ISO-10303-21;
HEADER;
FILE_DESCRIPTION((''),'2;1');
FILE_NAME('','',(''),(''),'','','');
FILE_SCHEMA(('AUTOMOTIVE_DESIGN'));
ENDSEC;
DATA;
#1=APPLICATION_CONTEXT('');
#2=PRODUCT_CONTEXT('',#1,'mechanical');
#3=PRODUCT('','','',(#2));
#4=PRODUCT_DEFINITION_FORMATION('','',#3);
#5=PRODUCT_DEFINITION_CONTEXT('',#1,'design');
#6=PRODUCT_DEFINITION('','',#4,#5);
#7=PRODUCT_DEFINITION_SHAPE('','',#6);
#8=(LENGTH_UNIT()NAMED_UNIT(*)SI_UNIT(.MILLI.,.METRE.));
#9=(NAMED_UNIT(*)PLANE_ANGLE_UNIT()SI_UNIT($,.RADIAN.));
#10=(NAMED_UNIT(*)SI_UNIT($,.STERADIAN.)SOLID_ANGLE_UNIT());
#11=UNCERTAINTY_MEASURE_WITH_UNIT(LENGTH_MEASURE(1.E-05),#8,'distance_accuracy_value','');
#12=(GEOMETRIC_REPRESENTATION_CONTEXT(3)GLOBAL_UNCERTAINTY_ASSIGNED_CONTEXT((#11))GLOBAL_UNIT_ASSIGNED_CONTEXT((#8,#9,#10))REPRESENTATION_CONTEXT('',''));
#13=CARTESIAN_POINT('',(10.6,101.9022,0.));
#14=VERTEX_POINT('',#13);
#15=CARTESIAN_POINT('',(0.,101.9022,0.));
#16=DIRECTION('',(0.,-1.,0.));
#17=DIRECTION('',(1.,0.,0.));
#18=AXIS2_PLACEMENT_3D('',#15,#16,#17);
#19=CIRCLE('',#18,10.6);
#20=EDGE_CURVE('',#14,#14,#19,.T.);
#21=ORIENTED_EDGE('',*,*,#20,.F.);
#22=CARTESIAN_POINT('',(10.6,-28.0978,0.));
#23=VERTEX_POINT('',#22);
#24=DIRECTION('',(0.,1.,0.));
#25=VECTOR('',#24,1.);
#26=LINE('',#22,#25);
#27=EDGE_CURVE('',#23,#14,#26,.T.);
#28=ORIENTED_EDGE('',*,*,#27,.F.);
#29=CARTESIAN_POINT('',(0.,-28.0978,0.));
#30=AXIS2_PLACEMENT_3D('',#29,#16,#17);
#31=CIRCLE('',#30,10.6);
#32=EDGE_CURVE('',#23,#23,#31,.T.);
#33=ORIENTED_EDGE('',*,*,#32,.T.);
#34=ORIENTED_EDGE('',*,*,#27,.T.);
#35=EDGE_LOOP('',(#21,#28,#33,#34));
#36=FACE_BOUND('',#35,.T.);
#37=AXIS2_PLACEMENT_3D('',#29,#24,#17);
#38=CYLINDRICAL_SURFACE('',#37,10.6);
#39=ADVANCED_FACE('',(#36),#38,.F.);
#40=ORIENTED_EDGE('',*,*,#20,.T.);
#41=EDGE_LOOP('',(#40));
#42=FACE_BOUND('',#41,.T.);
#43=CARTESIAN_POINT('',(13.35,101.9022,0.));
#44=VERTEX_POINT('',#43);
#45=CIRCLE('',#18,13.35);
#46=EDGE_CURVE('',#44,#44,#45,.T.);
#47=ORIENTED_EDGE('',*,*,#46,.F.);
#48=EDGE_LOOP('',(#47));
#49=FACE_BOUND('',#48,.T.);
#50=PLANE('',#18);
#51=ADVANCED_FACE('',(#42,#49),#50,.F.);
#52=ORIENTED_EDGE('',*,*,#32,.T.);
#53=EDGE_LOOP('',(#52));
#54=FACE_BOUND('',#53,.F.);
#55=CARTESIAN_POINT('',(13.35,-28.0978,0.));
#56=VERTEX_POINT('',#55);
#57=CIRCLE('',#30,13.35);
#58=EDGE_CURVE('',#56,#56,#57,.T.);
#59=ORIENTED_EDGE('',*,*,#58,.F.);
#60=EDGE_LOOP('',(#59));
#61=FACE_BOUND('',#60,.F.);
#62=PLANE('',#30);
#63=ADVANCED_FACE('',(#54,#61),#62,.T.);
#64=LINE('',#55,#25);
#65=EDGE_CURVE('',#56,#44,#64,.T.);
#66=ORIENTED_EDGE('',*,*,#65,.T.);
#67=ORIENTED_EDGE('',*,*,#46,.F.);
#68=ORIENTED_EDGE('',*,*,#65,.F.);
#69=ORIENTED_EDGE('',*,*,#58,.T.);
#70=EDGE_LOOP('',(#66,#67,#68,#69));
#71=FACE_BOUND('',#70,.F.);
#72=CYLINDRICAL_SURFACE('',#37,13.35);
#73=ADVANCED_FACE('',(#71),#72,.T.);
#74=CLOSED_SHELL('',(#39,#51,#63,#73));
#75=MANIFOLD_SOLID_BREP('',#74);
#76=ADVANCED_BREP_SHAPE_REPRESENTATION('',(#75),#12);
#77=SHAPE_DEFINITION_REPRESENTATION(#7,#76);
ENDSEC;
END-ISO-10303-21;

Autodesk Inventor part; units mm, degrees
ref_plane "YZ Plane" through (0, 0, 0) normal (1, 0, 0) x (0, 1, 0)
ref_plane "XZ Plane" through (0, 0, 0) normal (0, 1, 0) x (-1, 0, 0)
ref_plane "XY Plane" through (0, 0, 0) normal (0, 0, 1) x (1, 0, 0)
sketch "Sketch1" plane through (0, 0, 0) normal (0, 0, 1) x (1, 0, 0)
  line L0 (13.35, -28.0978) -> (13.35, 101.9022)
  line L1 (0, 69.4184) -> (0, -28.0978)
  line L2 (10.6, -28.0978) -> (10.6, 101.9022)
  line L3 (10.6, -28.0978) -> (13.35, -28.0978)
  line L4 (10.6, 101.9022) -> (13.35, 101.9022)
  point P0 (0, 0)
  dimension "d9" = 21.2
  dimension "d10" = 26.7
  dimension "d11" = 130
revolve "Revolution1" add sketch "Sketch1" angle 360 about axis through (0, 69.4184, 0) along (0, -1, 0)
properties part number "TuboMarcador" material "PVC-Piping"
